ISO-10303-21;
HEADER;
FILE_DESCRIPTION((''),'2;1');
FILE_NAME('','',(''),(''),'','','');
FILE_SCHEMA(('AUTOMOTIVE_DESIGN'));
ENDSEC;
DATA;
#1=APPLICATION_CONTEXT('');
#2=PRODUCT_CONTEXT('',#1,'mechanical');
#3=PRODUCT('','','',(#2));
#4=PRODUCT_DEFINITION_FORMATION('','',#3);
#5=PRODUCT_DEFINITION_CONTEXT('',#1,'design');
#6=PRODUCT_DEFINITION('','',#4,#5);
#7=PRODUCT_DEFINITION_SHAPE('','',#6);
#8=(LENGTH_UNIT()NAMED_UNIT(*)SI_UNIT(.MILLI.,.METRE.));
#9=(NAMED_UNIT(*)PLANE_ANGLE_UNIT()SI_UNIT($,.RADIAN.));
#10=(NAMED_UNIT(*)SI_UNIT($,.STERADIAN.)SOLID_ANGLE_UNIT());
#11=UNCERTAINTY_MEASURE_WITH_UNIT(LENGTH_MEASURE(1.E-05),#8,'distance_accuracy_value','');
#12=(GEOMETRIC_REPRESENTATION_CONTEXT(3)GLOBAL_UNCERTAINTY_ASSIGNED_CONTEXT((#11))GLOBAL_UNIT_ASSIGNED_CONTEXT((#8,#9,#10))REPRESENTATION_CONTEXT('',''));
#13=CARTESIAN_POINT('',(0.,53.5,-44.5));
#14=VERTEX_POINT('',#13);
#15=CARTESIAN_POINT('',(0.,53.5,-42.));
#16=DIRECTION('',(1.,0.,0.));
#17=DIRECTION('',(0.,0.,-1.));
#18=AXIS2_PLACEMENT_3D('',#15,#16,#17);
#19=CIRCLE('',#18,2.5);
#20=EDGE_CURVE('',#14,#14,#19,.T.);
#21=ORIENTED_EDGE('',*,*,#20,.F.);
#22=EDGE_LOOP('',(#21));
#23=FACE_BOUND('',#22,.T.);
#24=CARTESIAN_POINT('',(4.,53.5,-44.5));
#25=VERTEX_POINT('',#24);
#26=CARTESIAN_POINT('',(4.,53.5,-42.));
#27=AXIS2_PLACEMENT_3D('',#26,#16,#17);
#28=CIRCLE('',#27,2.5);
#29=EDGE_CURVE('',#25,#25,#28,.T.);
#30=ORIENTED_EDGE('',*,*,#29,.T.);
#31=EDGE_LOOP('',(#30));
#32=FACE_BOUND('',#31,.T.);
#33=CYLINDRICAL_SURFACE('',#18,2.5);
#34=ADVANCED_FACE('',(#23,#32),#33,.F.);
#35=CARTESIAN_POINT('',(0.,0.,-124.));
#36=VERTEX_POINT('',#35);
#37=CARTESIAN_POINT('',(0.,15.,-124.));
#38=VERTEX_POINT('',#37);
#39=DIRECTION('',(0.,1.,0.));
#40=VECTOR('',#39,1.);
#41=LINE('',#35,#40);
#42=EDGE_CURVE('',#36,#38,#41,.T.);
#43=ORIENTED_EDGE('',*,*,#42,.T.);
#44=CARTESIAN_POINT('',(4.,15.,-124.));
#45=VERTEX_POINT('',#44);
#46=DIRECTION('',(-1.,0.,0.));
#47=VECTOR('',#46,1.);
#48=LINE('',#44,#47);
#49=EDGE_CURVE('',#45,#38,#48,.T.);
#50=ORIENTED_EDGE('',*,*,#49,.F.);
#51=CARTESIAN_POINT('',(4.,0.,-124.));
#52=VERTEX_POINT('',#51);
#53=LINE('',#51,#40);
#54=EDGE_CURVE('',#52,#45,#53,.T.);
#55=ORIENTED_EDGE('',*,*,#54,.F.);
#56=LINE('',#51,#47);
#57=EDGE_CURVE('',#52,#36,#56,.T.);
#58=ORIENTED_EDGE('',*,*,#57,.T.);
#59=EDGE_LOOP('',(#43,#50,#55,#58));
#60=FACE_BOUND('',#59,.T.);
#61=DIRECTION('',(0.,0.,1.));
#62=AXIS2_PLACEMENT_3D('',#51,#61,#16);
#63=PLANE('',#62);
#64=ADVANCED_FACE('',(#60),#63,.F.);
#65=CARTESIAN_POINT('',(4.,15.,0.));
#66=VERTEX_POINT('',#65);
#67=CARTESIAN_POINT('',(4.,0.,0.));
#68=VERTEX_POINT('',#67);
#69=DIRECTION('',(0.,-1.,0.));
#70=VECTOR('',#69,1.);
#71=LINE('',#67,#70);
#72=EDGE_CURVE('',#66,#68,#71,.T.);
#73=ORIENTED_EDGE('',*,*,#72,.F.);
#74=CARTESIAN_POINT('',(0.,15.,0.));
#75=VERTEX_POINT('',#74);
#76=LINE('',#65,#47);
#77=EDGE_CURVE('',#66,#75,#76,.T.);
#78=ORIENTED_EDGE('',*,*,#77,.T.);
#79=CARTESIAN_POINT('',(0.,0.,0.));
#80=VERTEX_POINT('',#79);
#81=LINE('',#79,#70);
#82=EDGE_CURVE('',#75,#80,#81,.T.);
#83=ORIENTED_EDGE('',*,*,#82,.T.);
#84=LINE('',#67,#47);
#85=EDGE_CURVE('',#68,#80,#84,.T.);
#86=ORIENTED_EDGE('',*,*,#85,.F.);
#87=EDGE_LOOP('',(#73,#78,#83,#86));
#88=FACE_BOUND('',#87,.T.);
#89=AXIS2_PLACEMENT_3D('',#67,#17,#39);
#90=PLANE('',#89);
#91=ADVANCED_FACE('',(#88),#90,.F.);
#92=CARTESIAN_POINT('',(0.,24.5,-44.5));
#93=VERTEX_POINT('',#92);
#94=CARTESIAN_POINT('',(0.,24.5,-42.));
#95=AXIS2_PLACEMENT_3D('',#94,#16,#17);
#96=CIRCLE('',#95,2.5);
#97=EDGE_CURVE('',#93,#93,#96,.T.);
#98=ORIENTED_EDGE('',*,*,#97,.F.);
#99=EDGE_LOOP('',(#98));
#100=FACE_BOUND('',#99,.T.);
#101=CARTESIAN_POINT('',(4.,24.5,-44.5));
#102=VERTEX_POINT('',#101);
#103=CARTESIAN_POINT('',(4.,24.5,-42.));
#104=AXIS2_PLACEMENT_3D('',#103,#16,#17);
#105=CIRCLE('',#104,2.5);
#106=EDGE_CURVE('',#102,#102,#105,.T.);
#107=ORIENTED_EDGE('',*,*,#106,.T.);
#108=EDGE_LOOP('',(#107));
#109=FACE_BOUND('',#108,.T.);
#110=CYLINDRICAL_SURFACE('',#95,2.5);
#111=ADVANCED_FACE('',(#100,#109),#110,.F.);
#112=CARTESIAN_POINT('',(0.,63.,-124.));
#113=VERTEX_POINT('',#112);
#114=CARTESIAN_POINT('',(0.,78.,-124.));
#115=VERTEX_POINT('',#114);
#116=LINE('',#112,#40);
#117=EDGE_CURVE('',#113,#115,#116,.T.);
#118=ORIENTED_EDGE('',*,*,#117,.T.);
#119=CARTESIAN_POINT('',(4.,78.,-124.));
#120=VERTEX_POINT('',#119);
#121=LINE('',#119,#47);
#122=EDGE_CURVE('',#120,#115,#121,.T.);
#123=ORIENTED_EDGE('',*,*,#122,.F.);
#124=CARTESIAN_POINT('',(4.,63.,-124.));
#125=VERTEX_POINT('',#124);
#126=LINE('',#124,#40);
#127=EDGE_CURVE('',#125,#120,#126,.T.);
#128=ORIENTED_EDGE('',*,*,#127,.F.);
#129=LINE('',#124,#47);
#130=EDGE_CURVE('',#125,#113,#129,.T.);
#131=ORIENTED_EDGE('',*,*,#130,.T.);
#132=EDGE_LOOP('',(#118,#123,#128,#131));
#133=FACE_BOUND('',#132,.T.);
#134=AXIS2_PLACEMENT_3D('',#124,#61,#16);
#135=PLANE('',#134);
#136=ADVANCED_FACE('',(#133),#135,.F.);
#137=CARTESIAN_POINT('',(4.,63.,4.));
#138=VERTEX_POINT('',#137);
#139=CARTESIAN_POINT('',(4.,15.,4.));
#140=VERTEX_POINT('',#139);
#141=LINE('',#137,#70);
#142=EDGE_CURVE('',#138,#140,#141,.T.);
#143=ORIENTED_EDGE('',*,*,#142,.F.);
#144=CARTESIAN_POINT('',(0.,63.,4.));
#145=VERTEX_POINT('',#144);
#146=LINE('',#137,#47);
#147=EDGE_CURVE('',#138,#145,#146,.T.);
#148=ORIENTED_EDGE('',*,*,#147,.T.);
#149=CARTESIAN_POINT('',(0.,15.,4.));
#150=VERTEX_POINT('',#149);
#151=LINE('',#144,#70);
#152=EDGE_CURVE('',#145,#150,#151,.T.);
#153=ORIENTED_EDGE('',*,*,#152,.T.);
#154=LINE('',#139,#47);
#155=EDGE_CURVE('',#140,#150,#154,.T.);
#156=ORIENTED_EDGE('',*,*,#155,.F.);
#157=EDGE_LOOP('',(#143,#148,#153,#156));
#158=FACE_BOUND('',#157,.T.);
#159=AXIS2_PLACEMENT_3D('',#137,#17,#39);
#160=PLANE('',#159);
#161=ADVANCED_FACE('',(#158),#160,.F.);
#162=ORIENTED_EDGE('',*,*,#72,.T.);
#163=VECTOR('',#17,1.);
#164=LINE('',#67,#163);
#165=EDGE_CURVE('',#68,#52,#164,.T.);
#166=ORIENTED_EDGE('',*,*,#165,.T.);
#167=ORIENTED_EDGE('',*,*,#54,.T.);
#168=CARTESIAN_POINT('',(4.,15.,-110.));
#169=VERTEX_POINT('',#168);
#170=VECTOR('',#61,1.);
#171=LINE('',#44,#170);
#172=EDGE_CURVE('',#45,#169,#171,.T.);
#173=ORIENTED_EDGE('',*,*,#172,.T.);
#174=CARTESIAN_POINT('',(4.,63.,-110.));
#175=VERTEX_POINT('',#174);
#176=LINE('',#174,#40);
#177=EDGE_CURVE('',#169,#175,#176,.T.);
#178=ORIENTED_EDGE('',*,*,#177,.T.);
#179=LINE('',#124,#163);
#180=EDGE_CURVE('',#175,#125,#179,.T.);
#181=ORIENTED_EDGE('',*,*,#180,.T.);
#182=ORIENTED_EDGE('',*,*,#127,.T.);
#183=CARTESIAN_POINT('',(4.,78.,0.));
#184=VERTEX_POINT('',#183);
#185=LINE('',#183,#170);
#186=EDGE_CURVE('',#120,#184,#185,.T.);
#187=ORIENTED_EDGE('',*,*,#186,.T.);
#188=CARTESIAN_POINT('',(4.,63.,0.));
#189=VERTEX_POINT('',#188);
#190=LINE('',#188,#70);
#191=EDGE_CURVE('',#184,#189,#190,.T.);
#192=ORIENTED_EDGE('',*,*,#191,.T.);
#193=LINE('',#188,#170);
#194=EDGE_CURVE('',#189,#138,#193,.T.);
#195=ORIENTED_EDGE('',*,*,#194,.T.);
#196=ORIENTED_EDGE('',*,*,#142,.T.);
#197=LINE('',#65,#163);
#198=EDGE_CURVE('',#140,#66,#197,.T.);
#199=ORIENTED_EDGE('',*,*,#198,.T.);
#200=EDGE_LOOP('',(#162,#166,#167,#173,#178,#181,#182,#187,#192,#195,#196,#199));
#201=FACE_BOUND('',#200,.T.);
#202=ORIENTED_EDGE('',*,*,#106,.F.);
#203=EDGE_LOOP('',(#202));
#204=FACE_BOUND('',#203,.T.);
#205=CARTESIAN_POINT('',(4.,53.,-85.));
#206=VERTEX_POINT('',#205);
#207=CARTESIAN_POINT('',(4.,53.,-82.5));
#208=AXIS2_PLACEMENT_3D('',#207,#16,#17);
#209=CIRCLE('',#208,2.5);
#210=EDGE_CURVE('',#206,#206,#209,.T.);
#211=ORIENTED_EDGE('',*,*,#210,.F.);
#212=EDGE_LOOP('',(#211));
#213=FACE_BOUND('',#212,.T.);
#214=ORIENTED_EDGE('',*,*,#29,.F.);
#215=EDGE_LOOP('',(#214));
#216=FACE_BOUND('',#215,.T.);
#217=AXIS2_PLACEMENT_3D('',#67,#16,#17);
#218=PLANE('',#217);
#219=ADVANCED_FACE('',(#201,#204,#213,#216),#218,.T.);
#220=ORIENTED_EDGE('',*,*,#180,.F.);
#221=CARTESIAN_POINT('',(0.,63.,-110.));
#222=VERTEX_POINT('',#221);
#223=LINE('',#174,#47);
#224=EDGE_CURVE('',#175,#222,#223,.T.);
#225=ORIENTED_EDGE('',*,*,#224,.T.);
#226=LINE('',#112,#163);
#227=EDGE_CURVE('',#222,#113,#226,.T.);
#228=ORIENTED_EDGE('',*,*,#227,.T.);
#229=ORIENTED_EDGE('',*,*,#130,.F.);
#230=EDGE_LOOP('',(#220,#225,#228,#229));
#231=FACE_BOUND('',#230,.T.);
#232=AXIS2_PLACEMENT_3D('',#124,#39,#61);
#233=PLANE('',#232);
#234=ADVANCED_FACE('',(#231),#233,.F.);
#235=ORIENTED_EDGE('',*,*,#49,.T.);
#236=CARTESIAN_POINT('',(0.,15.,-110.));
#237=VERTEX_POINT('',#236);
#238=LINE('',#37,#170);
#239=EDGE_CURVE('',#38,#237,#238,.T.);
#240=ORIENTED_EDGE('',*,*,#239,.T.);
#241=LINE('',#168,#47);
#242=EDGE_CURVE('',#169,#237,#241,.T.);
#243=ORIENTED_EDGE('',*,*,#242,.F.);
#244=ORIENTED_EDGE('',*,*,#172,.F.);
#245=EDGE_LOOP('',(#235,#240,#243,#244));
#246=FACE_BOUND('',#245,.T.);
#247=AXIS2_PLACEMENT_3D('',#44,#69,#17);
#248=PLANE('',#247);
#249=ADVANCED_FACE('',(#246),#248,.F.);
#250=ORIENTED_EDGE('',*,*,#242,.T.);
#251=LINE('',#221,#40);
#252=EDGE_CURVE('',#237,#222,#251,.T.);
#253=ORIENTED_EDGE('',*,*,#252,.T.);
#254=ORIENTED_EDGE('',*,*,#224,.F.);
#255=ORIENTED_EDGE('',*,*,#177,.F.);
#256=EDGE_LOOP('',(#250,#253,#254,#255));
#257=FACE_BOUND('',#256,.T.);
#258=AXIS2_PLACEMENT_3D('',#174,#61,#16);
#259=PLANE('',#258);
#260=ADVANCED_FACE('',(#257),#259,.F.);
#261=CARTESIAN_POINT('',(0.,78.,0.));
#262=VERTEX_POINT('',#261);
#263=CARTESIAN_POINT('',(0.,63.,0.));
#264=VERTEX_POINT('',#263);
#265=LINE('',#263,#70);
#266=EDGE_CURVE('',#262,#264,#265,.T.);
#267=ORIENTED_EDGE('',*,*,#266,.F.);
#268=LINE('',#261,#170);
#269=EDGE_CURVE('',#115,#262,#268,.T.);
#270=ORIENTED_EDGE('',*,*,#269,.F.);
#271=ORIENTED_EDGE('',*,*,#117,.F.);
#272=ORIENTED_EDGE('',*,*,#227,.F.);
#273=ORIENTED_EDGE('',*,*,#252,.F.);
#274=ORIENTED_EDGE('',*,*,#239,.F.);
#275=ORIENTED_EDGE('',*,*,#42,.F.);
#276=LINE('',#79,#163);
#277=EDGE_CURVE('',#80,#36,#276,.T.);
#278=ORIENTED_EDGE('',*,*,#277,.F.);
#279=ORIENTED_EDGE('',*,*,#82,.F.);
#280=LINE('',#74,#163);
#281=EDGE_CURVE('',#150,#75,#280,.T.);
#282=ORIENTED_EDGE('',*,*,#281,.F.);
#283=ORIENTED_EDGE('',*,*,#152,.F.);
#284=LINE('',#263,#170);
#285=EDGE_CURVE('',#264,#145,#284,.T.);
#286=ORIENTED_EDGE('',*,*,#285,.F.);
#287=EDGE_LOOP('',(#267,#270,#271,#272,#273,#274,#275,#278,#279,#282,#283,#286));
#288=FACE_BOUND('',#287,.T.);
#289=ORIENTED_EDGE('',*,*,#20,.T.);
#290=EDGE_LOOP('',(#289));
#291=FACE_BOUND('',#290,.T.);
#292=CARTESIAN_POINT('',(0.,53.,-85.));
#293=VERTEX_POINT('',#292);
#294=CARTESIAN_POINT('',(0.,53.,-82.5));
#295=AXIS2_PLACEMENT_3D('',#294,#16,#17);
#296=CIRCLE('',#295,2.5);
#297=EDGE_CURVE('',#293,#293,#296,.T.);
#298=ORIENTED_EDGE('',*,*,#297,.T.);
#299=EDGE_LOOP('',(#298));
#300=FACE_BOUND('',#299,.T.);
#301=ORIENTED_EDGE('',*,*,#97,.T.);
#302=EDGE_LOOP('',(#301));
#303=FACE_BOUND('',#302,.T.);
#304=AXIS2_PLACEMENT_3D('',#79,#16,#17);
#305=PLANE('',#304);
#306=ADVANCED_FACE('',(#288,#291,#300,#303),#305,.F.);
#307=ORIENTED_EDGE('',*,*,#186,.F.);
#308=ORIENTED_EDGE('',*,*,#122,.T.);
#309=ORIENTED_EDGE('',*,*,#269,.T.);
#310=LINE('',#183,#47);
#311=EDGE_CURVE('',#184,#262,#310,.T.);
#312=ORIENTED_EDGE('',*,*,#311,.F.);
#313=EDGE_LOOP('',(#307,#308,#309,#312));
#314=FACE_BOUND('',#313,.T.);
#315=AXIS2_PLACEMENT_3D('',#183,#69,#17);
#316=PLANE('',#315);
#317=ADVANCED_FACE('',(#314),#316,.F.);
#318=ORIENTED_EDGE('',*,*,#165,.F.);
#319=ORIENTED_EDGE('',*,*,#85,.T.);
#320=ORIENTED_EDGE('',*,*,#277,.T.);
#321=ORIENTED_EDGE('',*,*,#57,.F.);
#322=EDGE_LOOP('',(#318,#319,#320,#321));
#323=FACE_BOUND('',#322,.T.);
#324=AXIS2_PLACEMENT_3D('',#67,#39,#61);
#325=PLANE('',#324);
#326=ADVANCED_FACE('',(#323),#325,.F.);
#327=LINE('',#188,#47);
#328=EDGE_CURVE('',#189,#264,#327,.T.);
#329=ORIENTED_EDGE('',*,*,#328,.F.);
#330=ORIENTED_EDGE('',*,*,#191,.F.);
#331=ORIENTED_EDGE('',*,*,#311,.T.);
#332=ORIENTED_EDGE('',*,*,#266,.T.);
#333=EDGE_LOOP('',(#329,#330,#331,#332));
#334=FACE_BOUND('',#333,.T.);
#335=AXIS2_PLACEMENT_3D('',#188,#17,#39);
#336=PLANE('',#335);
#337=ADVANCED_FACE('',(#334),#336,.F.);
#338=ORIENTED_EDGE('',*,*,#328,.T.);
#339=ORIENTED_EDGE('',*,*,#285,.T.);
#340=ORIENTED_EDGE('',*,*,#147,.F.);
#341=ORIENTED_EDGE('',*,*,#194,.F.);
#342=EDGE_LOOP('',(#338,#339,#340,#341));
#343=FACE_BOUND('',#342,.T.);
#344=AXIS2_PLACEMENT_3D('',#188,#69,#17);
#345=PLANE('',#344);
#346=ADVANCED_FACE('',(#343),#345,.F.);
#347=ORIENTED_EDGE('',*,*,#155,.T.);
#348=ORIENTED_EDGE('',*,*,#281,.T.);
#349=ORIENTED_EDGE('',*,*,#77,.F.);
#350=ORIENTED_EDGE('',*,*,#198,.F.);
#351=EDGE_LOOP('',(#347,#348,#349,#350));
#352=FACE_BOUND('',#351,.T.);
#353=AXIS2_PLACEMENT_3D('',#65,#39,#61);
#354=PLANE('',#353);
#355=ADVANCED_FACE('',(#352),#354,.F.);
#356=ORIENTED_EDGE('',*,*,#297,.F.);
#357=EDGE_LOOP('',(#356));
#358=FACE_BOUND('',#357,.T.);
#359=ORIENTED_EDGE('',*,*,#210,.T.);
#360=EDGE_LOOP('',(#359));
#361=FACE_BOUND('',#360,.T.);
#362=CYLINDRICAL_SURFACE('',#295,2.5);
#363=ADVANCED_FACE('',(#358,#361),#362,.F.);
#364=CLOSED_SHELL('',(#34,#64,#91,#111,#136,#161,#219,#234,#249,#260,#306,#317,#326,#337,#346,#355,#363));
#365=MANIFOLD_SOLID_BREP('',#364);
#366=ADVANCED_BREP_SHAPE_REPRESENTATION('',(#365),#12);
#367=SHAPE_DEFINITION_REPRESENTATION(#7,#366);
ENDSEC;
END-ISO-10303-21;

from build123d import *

# Parameters (mm, degrees)
BOSS_EXTRUDE1_DEPTH = 4
SKETCH2_R           = 2.5
CUT_EXTRUDE1_DEPTH  = 147.546920814


with BuildPart() as part:
    # Sketch1 → Boss-Extrude1 (new body)
    with BuildSketch(Plane(origin=(0, 0, 0), x_dir=(0, 0, -1), z_dir=(1, 0, 0))):
        Polygon((0, 63), (0, 78), (124, 78), (124, 63), (110, 63), (110, 15), (124, 15), (124, 0), (0, 0), (0, 15), (-4, 15), (-4, 63), align=None)
    extrude(amount=BOSS_EXTRUDE1_DEPTH)

    # Sketch2 → Cut-Extrude1 (cut, through all)
    with BuildSketch(Plane(origin=(4, 0, 0), x_dir=(0, 0, -1), z_dir=(1, 0, 0))):
        with Locations((42, 24.5)):
            Circle(SKETCH2_R)
        with Locations((42, 53.5)):
            Circle(SKETCH2_R)
        with Locations((82.5, 53)):
            Circle(SKETCH2_R)
    extrude(amount=-CUT_EXTRUDE1_DEPTH, mode=Mode.SUBTRACT)


solid = part.part
